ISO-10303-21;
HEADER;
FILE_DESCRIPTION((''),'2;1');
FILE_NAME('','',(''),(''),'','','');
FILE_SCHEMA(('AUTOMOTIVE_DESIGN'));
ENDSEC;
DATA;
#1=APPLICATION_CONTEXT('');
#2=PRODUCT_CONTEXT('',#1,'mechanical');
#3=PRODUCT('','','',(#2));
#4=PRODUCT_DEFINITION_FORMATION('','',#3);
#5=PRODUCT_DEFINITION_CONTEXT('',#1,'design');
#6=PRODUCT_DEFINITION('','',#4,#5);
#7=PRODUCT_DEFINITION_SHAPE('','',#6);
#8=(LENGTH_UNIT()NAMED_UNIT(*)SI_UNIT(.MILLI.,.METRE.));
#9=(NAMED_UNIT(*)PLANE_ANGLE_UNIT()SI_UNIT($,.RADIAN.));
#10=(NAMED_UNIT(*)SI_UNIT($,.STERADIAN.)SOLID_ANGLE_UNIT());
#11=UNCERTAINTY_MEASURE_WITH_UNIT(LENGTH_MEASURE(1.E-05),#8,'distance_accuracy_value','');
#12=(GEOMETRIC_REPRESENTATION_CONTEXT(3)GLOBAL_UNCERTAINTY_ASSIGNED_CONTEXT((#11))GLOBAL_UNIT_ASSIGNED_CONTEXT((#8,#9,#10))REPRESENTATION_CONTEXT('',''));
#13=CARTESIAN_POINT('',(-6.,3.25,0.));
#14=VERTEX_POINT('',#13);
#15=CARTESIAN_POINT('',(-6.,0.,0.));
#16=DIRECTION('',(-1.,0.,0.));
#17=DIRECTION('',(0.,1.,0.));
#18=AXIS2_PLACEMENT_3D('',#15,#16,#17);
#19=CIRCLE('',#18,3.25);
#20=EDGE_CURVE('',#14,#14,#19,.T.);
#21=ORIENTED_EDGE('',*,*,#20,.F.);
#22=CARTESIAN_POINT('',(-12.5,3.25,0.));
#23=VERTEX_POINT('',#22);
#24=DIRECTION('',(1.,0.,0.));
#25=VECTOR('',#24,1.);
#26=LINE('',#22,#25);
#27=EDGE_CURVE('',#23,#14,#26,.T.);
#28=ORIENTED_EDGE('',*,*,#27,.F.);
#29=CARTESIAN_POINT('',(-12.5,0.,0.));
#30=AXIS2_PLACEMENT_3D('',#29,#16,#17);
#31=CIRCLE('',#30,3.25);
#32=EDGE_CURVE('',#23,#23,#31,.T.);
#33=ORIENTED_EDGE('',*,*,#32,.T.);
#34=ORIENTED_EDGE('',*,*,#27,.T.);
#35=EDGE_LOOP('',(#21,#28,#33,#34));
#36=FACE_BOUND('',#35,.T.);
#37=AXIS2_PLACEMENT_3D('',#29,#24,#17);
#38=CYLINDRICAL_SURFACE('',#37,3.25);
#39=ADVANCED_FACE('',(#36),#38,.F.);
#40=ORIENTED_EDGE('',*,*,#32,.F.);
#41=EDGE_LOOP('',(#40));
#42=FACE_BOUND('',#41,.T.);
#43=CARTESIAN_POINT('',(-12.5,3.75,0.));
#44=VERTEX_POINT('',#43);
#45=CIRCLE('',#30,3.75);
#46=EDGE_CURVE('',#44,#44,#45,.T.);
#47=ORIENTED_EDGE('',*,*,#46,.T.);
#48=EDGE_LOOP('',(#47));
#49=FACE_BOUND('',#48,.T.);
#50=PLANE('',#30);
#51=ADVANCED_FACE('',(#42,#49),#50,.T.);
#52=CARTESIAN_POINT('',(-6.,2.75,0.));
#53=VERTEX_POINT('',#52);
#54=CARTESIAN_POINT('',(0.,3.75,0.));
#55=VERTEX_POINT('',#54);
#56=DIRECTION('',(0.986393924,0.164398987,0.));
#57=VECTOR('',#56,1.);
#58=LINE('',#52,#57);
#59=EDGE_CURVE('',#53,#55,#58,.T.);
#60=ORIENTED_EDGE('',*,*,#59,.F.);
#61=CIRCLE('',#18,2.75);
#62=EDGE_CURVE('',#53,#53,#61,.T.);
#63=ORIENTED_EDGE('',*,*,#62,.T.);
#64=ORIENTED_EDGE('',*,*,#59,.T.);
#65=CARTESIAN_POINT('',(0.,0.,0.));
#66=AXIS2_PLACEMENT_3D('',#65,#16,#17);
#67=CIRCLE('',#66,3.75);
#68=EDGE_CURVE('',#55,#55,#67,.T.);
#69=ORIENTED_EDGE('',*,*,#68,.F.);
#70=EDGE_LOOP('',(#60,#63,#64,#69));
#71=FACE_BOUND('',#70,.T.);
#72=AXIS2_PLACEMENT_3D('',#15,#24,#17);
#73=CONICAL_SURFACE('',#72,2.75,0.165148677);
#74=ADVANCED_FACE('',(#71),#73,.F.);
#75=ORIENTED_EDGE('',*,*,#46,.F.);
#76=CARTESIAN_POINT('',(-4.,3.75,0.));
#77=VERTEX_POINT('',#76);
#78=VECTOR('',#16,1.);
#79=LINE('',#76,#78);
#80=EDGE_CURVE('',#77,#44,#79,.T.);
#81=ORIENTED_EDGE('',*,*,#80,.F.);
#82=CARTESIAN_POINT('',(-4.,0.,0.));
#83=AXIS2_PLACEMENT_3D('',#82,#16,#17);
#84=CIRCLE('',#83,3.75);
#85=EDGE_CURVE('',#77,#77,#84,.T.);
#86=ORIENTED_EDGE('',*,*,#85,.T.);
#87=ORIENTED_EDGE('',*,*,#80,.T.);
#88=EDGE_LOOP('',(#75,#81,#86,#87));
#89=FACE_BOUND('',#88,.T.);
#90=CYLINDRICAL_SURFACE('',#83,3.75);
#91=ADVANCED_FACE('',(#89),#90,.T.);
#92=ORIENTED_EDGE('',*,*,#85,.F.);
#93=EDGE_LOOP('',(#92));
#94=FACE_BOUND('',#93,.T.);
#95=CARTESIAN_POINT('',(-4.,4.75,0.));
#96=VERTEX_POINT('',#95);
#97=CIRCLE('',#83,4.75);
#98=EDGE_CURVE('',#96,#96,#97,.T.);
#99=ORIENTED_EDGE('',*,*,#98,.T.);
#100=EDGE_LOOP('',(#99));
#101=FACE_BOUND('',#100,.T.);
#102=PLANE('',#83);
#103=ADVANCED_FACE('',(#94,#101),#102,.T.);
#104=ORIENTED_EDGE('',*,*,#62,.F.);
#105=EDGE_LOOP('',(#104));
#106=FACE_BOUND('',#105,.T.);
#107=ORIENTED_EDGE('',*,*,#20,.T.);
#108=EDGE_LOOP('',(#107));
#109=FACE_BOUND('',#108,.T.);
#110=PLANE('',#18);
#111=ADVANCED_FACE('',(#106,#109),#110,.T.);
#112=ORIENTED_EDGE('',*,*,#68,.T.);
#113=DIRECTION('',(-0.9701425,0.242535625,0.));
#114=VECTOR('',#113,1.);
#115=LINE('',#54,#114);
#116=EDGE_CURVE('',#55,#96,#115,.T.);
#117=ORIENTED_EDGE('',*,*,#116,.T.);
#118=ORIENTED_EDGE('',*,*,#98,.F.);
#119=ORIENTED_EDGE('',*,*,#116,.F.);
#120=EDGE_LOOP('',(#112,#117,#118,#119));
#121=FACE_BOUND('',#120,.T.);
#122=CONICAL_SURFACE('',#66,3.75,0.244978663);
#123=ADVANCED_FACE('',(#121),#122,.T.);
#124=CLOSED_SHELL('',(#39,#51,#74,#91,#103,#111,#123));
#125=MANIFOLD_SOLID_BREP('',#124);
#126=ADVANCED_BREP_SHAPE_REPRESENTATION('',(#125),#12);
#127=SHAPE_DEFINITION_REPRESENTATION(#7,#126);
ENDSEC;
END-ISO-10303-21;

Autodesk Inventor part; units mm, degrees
ref_plane "YZ Plane" through (0, 0, 0) normal (1, 0, 0) x (0, 1, 0)
ref_plane "XZ Plane" through (0, 0, 0) normal (0, 1, 0) x (-1, 0, 0)
ref_plane "XY Plane" through (0, 0, 0) normal (0, 0, 1) x (1, 0, 0)
sketch "Эскиз1" plane through (0, 0, 0) normal (0, 0, 1) x (1, 0, 0)
  line L0 (0, 0) -> (-21.4884, 0)
  line L1 (0, 3.75) -> (-4, 4.75)
  line L2 (-4, 4.75) -> (-4, 3.75)
  line L3 (-4, 3.75) -> (-12.5, 3.75)
  line L4 (-12.5, 3.75) -> (-12.5, 3.25)
  line L5 (-12.5, 3.25) -> (-6, 3.25)
  line L6 (-6, 3.25) -> (-6, 2.75)
  line L7 (-6, 2.75) -> (0, 3.75)
  dimension "d1" = 8.5
  dimension "d2" = 1
  dimension "d3" = 0.5
  dimension "d4" = 6.5
  dimension "d5" = 4
  dimension "d6" = 0
  dimension "d9" = 3.75
  dimension "d10" = 2.75
  dimension "d11" = 3.75
revolve "Вращение1" add sketch "Эскиз1" angle 360 about axis through (0, 0, 0) along (-1, 0, 0)
properties part number "корпус фары"
